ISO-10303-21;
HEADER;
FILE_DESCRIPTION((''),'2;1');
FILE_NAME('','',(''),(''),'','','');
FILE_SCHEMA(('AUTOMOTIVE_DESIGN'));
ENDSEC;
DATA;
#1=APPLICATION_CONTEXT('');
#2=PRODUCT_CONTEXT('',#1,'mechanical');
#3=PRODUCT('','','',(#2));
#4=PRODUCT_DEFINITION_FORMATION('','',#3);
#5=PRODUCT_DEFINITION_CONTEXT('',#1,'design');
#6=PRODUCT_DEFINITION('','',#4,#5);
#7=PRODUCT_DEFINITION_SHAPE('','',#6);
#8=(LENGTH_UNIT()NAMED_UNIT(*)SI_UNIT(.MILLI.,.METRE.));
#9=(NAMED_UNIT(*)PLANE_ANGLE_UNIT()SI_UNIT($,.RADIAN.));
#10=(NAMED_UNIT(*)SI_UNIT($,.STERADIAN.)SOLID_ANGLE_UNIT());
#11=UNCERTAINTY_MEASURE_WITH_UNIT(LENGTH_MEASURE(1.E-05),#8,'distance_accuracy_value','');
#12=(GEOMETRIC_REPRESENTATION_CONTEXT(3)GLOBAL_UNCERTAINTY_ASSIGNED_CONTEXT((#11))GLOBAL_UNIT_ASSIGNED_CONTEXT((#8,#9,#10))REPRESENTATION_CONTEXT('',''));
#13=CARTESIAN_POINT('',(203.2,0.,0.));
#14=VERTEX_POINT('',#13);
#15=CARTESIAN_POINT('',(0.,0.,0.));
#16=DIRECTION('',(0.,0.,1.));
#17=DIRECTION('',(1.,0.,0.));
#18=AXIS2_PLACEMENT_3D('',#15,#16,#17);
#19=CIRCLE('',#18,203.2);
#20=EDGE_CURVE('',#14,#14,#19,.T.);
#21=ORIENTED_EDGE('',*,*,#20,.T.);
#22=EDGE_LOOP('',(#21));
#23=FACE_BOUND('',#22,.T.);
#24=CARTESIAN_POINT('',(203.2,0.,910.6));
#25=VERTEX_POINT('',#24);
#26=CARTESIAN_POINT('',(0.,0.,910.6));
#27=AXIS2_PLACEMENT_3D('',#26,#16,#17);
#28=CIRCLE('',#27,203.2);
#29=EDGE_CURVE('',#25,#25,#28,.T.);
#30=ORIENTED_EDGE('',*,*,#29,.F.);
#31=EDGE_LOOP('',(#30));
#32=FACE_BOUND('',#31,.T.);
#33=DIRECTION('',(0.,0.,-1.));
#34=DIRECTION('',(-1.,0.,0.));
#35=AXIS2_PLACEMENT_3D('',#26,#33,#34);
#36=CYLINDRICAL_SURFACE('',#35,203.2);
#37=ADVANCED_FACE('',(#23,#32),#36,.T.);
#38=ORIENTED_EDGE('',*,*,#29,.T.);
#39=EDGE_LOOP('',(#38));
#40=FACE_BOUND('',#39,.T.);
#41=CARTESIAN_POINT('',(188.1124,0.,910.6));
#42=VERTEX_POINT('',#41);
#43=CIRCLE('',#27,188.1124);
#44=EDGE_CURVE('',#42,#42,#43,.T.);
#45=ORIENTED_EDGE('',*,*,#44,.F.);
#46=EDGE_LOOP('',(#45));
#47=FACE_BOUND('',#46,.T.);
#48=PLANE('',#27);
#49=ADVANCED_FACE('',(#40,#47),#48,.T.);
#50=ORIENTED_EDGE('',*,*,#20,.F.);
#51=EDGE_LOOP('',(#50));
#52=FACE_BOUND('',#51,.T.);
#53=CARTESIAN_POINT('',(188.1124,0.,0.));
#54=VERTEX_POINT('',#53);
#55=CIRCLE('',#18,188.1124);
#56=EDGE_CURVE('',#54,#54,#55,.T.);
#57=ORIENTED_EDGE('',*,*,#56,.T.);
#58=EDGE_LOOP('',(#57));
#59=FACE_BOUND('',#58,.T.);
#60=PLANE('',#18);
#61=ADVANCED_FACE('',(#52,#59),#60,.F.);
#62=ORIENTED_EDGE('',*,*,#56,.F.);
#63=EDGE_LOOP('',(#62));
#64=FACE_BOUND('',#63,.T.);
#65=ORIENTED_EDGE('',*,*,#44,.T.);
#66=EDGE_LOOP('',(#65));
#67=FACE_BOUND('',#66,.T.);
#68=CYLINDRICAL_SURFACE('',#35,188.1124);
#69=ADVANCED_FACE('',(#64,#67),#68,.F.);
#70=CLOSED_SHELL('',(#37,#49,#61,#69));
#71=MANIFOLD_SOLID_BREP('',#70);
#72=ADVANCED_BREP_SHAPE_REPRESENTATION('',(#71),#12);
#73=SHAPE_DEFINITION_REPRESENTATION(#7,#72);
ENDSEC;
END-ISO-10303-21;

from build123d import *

# Parameters (mm, degrees)
PIPESKETCH_R    = 203.2
PIPESKETCH_R_2  = 188.1124
EXTRUSION_DEPTH = 910.6


with BuildPart() as part:
    # PipeSketch → Extrusion (new body)
    with BuildSketch(Plane.XY):
        Circle(PIPESKETCH_R)
        Circle(PIPESKETCH_R_2, mode=Mode.SUBTRACT)
    extrude(amount=EXTRUSION_DEPTH)


solid = part.part
